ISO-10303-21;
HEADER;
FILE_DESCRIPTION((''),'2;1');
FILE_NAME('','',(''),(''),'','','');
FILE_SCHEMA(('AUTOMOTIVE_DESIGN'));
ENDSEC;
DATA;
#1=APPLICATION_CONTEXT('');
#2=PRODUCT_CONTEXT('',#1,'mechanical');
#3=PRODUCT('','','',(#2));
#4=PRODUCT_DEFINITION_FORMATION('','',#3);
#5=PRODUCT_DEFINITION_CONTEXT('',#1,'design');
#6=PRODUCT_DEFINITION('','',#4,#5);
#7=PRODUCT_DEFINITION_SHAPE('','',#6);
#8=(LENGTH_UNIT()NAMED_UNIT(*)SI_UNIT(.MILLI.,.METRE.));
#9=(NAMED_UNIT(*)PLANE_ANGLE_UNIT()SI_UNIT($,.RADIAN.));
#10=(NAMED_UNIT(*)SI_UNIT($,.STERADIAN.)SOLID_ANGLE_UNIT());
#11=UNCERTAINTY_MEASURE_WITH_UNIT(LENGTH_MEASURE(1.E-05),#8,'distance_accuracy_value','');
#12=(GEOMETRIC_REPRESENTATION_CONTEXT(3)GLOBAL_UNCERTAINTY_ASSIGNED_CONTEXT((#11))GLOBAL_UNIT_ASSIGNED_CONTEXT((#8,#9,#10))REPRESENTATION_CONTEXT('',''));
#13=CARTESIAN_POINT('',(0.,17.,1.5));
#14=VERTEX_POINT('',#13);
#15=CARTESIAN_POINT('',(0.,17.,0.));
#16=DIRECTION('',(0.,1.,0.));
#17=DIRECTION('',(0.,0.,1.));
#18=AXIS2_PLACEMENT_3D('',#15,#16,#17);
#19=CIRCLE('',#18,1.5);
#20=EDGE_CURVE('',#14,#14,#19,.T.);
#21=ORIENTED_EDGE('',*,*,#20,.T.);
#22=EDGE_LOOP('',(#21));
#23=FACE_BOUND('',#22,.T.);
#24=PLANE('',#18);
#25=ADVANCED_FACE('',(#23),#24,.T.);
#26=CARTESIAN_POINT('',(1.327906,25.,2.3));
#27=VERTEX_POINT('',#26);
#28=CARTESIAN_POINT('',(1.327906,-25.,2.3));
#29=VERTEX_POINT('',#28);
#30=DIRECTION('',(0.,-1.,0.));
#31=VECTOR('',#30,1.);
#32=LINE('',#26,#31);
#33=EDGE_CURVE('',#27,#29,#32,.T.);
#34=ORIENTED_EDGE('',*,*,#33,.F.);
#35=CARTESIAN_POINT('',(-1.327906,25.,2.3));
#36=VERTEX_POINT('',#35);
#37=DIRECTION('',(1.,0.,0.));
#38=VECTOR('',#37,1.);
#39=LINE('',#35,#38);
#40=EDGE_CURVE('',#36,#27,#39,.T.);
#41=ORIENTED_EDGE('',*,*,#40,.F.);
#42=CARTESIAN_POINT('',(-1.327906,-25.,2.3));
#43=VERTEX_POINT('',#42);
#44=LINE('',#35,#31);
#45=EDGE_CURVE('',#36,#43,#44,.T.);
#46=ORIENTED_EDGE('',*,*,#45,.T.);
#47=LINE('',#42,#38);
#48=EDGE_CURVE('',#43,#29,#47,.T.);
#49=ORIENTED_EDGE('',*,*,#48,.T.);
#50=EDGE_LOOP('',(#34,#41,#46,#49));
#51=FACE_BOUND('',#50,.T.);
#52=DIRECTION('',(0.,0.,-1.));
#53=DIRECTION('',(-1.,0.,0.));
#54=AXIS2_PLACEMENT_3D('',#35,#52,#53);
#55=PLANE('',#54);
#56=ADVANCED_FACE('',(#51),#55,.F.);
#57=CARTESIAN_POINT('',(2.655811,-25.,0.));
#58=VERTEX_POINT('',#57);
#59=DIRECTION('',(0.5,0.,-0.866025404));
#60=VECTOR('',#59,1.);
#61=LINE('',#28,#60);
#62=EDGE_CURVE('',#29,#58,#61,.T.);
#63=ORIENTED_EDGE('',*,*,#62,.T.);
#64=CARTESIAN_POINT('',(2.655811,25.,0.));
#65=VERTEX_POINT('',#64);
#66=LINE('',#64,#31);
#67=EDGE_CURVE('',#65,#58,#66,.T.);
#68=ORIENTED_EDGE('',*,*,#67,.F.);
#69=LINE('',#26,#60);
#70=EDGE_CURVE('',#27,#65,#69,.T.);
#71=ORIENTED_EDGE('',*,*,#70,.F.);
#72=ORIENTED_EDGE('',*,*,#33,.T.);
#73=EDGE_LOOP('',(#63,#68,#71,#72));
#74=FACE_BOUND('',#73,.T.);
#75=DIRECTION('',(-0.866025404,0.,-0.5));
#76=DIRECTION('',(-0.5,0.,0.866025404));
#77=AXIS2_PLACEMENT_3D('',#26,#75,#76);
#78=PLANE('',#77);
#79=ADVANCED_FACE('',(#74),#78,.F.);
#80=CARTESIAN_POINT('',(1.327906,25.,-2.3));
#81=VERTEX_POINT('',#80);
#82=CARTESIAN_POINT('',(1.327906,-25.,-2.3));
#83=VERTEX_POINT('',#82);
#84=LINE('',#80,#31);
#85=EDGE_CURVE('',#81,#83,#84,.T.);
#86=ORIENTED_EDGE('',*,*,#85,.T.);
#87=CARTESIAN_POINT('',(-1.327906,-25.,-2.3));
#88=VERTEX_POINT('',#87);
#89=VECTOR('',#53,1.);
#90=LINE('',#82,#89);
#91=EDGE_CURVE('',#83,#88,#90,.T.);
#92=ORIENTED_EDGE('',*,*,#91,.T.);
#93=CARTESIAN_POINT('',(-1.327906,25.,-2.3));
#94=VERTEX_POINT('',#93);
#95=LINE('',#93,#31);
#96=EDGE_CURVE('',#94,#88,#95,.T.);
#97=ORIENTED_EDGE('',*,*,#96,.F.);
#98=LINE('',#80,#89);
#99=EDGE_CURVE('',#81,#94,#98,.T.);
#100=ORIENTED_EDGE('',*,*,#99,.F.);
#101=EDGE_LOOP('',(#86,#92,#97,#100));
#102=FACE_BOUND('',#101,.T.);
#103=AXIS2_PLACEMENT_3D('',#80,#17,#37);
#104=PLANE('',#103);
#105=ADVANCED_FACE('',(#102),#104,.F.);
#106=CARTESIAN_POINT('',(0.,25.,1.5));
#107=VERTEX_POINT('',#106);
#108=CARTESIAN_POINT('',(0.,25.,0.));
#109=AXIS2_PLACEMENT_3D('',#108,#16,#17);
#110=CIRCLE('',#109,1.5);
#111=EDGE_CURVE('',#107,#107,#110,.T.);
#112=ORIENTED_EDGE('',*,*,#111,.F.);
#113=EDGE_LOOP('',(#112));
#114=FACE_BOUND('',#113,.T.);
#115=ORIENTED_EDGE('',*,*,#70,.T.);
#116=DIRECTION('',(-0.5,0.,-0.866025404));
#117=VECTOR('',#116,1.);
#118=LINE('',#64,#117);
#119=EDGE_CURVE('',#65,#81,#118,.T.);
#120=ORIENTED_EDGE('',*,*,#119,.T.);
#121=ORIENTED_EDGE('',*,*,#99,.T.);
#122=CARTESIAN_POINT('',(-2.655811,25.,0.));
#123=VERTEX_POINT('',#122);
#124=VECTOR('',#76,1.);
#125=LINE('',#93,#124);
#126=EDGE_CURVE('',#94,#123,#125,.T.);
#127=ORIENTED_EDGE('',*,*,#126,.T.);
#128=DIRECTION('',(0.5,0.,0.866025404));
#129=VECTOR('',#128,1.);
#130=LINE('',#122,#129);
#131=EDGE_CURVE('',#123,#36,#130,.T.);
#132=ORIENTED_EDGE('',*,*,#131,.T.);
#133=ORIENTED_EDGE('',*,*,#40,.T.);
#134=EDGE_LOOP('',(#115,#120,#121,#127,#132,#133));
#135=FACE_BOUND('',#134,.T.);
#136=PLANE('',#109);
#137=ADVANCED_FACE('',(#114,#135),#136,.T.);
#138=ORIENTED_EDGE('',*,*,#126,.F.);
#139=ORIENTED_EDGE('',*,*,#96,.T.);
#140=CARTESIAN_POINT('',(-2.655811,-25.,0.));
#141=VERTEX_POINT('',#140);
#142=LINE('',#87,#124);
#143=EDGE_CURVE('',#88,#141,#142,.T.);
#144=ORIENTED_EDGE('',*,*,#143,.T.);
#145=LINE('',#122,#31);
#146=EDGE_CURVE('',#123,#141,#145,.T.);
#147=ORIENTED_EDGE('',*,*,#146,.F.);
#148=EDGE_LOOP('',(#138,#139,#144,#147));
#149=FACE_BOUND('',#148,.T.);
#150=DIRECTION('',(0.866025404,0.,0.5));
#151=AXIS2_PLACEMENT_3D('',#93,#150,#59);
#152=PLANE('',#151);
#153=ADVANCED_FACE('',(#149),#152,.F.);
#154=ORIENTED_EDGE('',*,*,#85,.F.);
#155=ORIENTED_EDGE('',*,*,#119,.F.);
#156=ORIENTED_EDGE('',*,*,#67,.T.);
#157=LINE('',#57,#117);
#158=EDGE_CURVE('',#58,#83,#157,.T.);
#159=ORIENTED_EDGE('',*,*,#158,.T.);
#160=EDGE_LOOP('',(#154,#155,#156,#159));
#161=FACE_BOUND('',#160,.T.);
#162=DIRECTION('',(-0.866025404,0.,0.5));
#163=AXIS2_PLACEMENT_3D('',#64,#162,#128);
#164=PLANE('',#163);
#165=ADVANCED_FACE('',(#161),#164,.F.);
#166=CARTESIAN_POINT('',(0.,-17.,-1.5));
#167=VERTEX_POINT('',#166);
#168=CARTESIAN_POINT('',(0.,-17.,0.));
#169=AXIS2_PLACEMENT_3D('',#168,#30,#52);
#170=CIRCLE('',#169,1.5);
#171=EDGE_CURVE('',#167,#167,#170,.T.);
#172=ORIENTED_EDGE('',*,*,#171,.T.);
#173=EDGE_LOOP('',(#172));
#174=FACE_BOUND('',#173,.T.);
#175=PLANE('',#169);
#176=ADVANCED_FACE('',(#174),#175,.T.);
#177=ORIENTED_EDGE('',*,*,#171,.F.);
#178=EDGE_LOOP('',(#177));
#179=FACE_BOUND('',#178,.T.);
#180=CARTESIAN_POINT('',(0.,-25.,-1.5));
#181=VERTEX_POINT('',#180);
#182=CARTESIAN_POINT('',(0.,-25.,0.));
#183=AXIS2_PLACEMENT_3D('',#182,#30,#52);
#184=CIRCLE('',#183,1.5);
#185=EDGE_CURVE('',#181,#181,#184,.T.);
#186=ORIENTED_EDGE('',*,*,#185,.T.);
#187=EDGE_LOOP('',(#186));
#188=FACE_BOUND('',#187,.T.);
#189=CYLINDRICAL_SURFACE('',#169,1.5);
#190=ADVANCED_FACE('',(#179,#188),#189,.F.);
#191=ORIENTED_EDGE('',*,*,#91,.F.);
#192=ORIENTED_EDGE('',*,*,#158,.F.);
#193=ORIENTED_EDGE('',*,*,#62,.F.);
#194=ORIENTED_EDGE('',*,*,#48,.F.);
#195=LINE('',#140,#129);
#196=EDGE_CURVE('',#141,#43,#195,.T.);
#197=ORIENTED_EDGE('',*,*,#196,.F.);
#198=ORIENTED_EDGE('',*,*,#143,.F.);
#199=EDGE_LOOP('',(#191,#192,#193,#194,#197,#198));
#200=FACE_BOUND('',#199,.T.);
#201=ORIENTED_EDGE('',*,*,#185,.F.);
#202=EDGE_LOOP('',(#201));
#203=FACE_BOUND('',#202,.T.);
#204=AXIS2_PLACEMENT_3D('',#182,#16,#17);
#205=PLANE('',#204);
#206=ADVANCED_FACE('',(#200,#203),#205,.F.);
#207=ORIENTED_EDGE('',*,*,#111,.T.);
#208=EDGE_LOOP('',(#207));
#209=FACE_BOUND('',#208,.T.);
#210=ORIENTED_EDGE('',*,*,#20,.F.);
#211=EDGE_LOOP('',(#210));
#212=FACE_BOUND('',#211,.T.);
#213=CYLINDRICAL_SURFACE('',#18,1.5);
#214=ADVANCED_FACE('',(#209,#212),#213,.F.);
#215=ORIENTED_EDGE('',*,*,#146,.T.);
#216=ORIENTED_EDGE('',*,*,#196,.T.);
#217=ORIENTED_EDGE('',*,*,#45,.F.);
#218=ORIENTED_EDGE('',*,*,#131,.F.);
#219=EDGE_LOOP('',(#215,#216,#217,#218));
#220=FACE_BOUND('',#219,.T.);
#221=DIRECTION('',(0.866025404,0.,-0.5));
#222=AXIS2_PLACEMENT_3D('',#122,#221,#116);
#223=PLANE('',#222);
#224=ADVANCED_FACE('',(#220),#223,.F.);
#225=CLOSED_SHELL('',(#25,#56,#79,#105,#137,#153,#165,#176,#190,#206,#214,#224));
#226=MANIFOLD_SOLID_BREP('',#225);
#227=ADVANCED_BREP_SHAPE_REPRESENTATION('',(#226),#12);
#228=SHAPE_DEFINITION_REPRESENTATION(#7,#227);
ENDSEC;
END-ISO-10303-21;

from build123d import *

# Parameters (mm, degrees)
BOSS_EXTRUDE1_DEPTH = 25
SKETCH2_R           = 1.5
CUT_EXTRUDE1_DEPTH  = 8
CUT_EXTRUDE2_START  = -8
SKETCH3_R           = 1.5
CUT_EXTRUDE2_DEPTH  = 8


with BuildPart() as part:
    # Sketch1 → Boss-Extrude1 (new, symmetric)
    with BuildSketch(Plane(origin=(0, 0, 0), x_dir=(1, 0, 0), z_dir=(0, 1, 0))):
        Polygon((2.655811238, 0), (1.327905619, 2.3), (-1.327905619, 2.3), (-2.655811238, 0), (-1.327905619, -2.3), (1.327905619, -2.3), align=None)
    extrude(amount=BOSS_EXTRUDE1_DEPTH, both=True)

    # Sketch2 → Cut-Extrude1 (cut)
    with BuildSketch(Plane(origin=(0, 25, 0), x_dir=(1, 0, 0), z_dir=(0, 1, 0))):
        with Locations(Location((0, 0, 0), (0, 0, 270))):
            Circle(SKETCH2_R)
    extrude(amount=-CUT_EXTRUDE1_DEPTH, mode=Mode.SUBTRACT)

    # Sketch3 → Cut-Extrude2 (cut)
    with BuildSketch(Plane.XZ.offset(25).offset(CUT_EXTRUDE2_START)):
        with Locations(Location((0, 0, 0), (0, 0, 90))):
            Circle(SKETCH3_R)
    extrude(amount=CUT_EXTRUDE2_DEPTH, mode=Mode.SUBTRACT)


solid = part.part
